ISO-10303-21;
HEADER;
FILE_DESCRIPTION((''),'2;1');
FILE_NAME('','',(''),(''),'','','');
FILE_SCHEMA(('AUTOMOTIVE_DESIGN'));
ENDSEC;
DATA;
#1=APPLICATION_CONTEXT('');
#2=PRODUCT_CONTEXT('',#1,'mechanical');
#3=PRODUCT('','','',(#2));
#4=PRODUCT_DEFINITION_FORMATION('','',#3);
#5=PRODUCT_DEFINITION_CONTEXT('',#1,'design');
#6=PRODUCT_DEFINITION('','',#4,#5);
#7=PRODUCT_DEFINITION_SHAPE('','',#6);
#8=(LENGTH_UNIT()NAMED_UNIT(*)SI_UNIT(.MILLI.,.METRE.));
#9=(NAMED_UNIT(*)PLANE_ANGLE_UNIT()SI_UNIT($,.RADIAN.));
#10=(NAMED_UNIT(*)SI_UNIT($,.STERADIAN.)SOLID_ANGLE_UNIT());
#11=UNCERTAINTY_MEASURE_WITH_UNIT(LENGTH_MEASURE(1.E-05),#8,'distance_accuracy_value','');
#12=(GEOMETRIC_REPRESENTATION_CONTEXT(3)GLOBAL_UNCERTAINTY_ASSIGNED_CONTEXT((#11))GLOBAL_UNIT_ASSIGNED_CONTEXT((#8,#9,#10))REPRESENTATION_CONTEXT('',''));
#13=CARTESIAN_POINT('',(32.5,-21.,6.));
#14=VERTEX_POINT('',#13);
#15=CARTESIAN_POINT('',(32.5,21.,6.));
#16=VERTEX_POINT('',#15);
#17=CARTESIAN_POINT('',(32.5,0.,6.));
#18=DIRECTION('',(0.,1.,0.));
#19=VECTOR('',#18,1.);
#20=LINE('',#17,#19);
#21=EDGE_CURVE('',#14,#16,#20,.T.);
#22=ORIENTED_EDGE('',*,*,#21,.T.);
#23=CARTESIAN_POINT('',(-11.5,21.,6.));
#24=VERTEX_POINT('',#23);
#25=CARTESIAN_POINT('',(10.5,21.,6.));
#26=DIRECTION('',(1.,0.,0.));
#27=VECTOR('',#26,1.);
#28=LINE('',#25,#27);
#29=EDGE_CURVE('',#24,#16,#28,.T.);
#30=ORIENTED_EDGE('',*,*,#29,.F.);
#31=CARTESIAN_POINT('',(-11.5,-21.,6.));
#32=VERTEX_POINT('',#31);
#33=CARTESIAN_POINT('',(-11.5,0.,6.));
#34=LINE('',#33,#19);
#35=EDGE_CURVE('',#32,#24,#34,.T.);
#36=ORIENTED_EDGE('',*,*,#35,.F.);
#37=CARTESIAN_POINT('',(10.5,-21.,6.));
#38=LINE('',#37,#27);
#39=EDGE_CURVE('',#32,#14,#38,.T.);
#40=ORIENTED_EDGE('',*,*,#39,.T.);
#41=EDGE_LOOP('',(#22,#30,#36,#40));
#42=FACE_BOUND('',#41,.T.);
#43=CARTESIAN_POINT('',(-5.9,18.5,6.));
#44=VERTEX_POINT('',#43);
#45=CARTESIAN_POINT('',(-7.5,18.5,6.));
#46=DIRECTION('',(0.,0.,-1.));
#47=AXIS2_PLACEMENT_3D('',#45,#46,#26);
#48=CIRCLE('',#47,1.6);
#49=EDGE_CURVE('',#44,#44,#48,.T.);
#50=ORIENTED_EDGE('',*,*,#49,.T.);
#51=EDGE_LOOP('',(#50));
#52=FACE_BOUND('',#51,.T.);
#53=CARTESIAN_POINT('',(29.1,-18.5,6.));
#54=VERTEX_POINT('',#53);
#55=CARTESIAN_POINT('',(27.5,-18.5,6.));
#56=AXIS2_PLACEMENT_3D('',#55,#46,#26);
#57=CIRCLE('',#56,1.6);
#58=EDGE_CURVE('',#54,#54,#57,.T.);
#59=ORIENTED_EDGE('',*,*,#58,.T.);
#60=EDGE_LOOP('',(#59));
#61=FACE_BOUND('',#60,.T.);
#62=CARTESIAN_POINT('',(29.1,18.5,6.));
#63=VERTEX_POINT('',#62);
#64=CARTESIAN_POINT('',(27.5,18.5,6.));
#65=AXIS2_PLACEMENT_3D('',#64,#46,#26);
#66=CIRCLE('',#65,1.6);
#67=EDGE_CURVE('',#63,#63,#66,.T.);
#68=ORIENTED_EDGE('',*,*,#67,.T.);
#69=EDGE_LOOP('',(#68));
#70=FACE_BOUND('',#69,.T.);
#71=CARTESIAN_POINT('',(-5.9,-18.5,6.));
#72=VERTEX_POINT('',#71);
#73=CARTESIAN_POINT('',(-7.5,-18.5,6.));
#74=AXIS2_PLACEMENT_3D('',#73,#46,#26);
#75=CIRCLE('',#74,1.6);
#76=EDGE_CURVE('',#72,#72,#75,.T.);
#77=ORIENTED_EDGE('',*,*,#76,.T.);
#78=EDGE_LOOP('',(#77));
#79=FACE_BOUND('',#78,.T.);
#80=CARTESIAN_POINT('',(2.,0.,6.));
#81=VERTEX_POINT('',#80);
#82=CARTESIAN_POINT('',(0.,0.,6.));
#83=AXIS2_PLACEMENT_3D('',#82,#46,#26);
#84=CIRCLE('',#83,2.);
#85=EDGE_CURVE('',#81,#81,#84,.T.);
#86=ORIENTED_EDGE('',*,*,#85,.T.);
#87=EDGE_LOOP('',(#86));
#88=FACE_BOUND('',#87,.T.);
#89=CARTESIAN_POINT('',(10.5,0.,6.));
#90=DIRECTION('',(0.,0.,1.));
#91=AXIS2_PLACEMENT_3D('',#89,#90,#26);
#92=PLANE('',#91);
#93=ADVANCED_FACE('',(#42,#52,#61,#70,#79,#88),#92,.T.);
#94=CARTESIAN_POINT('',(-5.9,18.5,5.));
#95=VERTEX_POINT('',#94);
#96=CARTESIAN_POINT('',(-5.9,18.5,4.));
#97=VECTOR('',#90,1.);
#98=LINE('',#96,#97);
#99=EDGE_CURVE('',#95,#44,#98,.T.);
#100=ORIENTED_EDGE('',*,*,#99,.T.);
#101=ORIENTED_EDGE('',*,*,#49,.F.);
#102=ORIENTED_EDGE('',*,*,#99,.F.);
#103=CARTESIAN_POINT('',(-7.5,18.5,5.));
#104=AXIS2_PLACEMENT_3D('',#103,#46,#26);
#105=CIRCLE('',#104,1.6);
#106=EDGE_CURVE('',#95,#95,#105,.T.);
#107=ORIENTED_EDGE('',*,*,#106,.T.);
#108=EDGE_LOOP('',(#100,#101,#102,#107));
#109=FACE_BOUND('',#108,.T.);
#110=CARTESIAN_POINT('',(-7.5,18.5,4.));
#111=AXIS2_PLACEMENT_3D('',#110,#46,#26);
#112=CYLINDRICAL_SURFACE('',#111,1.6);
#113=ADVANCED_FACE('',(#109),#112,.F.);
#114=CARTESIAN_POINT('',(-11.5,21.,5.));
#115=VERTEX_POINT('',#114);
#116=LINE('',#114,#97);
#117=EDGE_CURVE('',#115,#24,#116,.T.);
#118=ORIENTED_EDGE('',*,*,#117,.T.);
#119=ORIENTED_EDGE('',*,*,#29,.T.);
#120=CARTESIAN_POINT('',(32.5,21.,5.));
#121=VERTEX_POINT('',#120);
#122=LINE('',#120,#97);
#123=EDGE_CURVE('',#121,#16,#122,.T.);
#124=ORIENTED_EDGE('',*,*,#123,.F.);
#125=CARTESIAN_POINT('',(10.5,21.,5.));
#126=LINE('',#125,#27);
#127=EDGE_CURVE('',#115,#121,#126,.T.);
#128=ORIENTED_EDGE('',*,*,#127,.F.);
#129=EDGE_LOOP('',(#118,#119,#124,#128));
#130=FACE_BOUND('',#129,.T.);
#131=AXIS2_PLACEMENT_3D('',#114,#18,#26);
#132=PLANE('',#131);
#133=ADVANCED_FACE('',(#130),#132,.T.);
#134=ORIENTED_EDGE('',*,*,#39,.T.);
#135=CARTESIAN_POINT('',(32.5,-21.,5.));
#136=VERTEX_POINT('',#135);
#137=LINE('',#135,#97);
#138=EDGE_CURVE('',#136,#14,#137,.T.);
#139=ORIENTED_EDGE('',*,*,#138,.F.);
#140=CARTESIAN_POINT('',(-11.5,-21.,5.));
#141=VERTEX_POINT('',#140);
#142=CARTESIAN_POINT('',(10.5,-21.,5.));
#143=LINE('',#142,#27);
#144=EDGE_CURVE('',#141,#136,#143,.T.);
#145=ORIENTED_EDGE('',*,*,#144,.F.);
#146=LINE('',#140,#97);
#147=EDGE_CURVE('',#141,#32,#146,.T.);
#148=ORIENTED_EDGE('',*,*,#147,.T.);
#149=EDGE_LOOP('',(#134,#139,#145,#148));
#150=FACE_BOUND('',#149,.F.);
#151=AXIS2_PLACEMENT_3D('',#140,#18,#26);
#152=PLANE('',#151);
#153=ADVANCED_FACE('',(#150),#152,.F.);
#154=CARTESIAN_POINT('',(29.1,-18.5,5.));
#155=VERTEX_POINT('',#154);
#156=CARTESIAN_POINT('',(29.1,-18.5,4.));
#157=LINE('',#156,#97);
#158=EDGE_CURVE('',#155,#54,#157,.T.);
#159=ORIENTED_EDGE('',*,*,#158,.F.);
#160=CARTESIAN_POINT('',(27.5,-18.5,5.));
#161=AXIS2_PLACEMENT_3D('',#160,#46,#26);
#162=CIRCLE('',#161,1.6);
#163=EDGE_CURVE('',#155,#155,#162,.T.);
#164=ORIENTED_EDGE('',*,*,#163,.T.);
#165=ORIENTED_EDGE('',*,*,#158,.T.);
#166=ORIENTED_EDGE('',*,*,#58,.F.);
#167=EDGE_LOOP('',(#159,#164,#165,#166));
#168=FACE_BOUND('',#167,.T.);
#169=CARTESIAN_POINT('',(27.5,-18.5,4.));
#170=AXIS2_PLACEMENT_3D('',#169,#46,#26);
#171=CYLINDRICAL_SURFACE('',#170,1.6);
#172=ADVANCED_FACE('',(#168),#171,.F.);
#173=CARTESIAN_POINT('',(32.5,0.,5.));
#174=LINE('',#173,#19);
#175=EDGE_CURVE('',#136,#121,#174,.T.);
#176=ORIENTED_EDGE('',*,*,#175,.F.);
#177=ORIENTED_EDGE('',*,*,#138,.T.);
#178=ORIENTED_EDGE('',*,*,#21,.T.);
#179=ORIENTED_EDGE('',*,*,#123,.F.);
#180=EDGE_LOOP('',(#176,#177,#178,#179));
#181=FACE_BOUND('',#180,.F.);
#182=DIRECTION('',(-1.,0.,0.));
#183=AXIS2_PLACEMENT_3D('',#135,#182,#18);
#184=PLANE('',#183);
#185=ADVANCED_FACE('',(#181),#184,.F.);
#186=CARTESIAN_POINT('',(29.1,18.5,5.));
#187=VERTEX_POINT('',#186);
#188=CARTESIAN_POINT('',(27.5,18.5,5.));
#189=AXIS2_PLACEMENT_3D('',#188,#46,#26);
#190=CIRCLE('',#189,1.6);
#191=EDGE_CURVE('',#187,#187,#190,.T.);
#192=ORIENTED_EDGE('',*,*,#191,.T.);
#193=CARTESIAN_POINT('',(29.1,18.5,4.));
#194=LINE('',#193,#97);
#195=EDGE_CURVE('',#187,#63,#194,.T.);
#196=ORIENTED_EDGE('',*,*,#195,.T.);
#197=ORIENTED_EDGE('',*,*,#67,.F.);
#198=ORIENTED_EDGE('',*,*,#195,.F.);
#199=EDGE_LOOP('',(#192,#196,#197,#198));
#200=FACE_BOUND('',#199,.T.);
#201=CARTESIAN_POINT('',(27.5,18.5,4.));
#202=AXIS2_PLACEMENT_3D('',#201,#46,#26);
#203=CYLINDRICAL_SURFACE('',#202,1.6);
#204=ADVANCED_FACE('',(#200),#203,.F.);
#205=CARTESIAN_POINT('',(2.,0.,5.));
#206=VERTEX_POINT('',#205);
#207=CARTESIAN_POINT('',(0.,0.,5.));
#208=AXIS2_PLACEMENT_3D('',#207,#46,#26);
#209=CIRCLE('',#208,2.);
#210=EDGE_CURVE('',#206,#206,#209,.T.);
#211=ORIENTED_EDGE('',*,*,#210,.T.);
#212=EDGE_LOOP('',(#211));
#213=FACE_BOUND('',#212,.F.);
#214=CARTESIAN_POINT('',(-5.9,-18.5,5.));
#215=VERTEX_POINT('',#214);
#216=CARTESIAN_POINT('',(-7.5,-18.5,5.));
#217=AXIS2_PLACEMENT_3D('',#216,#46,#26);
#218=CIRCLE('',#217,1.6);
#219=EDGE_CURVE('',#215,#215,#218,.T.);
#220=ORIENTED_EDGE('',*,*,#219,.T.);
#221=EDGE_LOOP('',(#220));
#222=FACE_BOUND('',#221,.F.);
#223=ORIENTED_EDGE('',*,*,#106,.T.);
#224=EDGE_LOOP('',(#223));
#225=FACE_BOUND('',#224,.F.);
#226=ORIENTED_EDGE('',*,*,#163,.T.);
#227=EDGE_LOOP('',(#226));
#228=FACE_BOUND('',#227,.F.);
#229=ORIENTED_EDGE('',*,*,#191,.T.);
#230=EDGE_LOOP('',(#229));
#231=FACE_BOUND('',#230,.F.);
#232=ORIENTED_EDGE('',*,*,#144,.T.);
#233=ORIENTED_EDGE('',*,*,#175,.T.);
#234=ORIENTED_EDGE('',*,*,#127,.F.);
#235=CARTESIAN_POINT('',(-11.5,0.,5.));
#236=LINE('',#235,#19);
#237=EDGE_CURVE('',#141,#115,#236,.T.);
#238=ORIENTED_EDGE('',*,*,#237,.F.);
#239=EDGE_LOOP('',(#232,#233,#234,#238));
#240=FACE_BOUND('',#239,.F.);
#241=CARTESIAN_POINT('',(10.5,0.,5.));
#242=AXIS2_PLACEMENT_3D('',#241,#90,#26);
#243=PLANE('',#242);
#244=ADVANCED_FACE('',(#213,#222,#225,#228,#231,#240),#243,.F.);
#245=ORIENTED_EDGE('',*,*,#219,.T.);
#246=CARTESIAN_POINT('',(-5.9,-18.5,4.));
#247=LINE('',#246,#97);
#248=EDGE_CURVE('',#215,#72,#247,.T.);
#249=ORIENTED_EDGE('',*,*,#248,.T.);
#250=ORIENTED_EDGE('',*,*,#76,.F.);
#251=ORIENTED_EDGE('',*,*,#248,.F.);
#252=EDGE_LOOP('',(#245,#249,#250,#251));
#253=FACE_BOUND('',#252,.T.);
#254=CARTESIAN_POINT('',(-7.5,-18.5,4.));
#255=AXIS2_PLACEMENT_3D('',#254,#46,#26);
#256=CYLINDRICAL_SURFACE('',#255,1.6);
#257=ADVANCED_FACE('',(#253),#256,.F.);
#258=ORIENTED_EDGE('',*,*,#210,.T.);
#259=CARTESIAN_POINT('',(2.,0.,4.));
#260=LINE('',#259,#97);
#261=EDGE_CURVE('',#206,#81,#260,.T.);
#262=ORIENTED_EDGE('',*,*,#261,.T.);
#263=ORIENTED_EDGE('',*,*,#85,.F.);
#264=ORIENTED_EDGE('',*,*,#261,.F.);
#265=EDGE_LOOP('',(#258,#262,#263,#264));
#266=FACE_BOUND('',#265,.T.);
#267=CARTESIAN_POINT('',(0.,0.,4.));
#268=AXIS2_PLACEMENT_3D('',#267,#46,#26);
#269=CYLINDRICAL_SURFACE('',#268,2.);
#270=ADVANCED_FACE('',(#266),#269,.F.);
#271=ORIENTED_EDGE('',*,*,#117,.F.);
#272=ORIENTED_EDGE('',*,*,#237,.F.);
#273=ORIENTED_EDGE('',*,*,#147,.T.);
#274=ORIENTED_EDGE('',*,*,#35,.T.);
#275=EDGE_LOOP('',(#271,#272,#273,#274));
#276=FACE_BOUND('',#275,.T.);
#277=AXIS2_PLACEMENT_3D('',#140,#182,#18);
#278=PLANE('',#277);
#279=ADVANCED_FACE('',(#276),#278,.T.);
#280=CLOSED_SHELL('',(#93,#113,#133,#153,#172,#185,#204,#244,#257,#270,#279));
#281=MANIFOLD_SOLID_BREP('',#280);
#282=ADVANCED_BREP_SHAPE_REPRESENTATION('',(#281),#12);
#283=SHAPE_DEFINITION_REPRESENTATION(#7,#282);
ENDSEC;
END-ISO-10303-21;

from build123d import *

# Parameters (mm, degrees)
CYLINDER034_R     = 1.6
CYLINDER034_DEPTH = 10
CYLINDER035_R     = 1.6
CYLINDER035_DEPTH = 10
CYLINDER036_R     = 1.6
CYLINDER036_DEPTH = 10
CYLINDER037_R     = 1.6
CYLINDER037_DEPTH = 10
CYLINDER038_R     = 2
CYLINDER038_DEPTH = 10
BOX011_W          = 44
BOX011_H          = 42
BOX011_DEPTH      = 1


with BuildPart() as cylinder034:
    # Cylinder034 → Cylinder034 (new body)
    with BuildSketch(Plane(origin=(-7.5, -18.5, 0), x_dir=(1, 0, 0), z_dir=(0, 0, 1))):
        Circle(CYLINDER034_R)
    extrude(amount=CYLINDER034_DEPTH)


with BuildPart() as cylinder035:
    # Cylinder035 → Cylinder035 (new body)
    with BuildSketch(Plane(origin=(-7.5, 18.5, 0), x_dir=(1, 0, 0), z_dir=(0, 0, 1))):
        Circle(CYLINDER035_R)
    extrude(amount=CYLINDER035_DEPTH)


with BuildPart() as cylinder036:
    # Cylinder036 → Cylinder036 (new body)
    with BuildSketch(Plane(origin=(27.5, -18.5, 0), x_dir=(1, 0, 0), z_dir=(0, 0, 1))):
        Circle(CYLINDER036_R)
    extrude(amount=CYLINDER036_DEPTH)


with BuildPart() as cylinder037:
    # Cylinder037 → Cylinder037 (new body)
    with BuildSketch(Plane(origin=(27.5, 18.5, 0), x_dir=(1, 0, 0), z_dir=(0, 0, 1))):
        Circle(CYLINDER037_R)
    extrude(amount=CYLINDER037_DEPTH)


with BuildPart() as fusion021:
    # Cylinder038 → Cylinder038 (new body)
    with BuildSketch(Plane.XY):
        Circle(CYLINDER038_R)
    extrude(amount=CYLINDER038_DEPTH)

    # Fusion021: union Cylinder034, Cylinder035, Cylinder036, Cylinder037
    add(cylinder034.part)
    add(cylinder035.part)
    add(cylinder036.part)
    add(cylinder037.part)


with BuildPart() as copperplate:
    # Box011 → Box011 (new body)
    with BuildSketch(Plane(origin=(-11.5, -21, 1), x_dir=(1, 0, 0), z_dir=(0, 0, 1))):
        with Locations((22, 21)):
            Rectangle(BOX011_W, BOX011_H)
    extrude(amount=BOX011_DEPTH)

    # Cut010: cut Fusion021
    add(fusion021.part, mode=Mode.SUBTRACT)


with BuildPart() as copperplate_1:
    # Cut010 placement: moved
    add(copperplate.part.moved(Location((0, 0, 4))))


solid = copperplate_1.part
